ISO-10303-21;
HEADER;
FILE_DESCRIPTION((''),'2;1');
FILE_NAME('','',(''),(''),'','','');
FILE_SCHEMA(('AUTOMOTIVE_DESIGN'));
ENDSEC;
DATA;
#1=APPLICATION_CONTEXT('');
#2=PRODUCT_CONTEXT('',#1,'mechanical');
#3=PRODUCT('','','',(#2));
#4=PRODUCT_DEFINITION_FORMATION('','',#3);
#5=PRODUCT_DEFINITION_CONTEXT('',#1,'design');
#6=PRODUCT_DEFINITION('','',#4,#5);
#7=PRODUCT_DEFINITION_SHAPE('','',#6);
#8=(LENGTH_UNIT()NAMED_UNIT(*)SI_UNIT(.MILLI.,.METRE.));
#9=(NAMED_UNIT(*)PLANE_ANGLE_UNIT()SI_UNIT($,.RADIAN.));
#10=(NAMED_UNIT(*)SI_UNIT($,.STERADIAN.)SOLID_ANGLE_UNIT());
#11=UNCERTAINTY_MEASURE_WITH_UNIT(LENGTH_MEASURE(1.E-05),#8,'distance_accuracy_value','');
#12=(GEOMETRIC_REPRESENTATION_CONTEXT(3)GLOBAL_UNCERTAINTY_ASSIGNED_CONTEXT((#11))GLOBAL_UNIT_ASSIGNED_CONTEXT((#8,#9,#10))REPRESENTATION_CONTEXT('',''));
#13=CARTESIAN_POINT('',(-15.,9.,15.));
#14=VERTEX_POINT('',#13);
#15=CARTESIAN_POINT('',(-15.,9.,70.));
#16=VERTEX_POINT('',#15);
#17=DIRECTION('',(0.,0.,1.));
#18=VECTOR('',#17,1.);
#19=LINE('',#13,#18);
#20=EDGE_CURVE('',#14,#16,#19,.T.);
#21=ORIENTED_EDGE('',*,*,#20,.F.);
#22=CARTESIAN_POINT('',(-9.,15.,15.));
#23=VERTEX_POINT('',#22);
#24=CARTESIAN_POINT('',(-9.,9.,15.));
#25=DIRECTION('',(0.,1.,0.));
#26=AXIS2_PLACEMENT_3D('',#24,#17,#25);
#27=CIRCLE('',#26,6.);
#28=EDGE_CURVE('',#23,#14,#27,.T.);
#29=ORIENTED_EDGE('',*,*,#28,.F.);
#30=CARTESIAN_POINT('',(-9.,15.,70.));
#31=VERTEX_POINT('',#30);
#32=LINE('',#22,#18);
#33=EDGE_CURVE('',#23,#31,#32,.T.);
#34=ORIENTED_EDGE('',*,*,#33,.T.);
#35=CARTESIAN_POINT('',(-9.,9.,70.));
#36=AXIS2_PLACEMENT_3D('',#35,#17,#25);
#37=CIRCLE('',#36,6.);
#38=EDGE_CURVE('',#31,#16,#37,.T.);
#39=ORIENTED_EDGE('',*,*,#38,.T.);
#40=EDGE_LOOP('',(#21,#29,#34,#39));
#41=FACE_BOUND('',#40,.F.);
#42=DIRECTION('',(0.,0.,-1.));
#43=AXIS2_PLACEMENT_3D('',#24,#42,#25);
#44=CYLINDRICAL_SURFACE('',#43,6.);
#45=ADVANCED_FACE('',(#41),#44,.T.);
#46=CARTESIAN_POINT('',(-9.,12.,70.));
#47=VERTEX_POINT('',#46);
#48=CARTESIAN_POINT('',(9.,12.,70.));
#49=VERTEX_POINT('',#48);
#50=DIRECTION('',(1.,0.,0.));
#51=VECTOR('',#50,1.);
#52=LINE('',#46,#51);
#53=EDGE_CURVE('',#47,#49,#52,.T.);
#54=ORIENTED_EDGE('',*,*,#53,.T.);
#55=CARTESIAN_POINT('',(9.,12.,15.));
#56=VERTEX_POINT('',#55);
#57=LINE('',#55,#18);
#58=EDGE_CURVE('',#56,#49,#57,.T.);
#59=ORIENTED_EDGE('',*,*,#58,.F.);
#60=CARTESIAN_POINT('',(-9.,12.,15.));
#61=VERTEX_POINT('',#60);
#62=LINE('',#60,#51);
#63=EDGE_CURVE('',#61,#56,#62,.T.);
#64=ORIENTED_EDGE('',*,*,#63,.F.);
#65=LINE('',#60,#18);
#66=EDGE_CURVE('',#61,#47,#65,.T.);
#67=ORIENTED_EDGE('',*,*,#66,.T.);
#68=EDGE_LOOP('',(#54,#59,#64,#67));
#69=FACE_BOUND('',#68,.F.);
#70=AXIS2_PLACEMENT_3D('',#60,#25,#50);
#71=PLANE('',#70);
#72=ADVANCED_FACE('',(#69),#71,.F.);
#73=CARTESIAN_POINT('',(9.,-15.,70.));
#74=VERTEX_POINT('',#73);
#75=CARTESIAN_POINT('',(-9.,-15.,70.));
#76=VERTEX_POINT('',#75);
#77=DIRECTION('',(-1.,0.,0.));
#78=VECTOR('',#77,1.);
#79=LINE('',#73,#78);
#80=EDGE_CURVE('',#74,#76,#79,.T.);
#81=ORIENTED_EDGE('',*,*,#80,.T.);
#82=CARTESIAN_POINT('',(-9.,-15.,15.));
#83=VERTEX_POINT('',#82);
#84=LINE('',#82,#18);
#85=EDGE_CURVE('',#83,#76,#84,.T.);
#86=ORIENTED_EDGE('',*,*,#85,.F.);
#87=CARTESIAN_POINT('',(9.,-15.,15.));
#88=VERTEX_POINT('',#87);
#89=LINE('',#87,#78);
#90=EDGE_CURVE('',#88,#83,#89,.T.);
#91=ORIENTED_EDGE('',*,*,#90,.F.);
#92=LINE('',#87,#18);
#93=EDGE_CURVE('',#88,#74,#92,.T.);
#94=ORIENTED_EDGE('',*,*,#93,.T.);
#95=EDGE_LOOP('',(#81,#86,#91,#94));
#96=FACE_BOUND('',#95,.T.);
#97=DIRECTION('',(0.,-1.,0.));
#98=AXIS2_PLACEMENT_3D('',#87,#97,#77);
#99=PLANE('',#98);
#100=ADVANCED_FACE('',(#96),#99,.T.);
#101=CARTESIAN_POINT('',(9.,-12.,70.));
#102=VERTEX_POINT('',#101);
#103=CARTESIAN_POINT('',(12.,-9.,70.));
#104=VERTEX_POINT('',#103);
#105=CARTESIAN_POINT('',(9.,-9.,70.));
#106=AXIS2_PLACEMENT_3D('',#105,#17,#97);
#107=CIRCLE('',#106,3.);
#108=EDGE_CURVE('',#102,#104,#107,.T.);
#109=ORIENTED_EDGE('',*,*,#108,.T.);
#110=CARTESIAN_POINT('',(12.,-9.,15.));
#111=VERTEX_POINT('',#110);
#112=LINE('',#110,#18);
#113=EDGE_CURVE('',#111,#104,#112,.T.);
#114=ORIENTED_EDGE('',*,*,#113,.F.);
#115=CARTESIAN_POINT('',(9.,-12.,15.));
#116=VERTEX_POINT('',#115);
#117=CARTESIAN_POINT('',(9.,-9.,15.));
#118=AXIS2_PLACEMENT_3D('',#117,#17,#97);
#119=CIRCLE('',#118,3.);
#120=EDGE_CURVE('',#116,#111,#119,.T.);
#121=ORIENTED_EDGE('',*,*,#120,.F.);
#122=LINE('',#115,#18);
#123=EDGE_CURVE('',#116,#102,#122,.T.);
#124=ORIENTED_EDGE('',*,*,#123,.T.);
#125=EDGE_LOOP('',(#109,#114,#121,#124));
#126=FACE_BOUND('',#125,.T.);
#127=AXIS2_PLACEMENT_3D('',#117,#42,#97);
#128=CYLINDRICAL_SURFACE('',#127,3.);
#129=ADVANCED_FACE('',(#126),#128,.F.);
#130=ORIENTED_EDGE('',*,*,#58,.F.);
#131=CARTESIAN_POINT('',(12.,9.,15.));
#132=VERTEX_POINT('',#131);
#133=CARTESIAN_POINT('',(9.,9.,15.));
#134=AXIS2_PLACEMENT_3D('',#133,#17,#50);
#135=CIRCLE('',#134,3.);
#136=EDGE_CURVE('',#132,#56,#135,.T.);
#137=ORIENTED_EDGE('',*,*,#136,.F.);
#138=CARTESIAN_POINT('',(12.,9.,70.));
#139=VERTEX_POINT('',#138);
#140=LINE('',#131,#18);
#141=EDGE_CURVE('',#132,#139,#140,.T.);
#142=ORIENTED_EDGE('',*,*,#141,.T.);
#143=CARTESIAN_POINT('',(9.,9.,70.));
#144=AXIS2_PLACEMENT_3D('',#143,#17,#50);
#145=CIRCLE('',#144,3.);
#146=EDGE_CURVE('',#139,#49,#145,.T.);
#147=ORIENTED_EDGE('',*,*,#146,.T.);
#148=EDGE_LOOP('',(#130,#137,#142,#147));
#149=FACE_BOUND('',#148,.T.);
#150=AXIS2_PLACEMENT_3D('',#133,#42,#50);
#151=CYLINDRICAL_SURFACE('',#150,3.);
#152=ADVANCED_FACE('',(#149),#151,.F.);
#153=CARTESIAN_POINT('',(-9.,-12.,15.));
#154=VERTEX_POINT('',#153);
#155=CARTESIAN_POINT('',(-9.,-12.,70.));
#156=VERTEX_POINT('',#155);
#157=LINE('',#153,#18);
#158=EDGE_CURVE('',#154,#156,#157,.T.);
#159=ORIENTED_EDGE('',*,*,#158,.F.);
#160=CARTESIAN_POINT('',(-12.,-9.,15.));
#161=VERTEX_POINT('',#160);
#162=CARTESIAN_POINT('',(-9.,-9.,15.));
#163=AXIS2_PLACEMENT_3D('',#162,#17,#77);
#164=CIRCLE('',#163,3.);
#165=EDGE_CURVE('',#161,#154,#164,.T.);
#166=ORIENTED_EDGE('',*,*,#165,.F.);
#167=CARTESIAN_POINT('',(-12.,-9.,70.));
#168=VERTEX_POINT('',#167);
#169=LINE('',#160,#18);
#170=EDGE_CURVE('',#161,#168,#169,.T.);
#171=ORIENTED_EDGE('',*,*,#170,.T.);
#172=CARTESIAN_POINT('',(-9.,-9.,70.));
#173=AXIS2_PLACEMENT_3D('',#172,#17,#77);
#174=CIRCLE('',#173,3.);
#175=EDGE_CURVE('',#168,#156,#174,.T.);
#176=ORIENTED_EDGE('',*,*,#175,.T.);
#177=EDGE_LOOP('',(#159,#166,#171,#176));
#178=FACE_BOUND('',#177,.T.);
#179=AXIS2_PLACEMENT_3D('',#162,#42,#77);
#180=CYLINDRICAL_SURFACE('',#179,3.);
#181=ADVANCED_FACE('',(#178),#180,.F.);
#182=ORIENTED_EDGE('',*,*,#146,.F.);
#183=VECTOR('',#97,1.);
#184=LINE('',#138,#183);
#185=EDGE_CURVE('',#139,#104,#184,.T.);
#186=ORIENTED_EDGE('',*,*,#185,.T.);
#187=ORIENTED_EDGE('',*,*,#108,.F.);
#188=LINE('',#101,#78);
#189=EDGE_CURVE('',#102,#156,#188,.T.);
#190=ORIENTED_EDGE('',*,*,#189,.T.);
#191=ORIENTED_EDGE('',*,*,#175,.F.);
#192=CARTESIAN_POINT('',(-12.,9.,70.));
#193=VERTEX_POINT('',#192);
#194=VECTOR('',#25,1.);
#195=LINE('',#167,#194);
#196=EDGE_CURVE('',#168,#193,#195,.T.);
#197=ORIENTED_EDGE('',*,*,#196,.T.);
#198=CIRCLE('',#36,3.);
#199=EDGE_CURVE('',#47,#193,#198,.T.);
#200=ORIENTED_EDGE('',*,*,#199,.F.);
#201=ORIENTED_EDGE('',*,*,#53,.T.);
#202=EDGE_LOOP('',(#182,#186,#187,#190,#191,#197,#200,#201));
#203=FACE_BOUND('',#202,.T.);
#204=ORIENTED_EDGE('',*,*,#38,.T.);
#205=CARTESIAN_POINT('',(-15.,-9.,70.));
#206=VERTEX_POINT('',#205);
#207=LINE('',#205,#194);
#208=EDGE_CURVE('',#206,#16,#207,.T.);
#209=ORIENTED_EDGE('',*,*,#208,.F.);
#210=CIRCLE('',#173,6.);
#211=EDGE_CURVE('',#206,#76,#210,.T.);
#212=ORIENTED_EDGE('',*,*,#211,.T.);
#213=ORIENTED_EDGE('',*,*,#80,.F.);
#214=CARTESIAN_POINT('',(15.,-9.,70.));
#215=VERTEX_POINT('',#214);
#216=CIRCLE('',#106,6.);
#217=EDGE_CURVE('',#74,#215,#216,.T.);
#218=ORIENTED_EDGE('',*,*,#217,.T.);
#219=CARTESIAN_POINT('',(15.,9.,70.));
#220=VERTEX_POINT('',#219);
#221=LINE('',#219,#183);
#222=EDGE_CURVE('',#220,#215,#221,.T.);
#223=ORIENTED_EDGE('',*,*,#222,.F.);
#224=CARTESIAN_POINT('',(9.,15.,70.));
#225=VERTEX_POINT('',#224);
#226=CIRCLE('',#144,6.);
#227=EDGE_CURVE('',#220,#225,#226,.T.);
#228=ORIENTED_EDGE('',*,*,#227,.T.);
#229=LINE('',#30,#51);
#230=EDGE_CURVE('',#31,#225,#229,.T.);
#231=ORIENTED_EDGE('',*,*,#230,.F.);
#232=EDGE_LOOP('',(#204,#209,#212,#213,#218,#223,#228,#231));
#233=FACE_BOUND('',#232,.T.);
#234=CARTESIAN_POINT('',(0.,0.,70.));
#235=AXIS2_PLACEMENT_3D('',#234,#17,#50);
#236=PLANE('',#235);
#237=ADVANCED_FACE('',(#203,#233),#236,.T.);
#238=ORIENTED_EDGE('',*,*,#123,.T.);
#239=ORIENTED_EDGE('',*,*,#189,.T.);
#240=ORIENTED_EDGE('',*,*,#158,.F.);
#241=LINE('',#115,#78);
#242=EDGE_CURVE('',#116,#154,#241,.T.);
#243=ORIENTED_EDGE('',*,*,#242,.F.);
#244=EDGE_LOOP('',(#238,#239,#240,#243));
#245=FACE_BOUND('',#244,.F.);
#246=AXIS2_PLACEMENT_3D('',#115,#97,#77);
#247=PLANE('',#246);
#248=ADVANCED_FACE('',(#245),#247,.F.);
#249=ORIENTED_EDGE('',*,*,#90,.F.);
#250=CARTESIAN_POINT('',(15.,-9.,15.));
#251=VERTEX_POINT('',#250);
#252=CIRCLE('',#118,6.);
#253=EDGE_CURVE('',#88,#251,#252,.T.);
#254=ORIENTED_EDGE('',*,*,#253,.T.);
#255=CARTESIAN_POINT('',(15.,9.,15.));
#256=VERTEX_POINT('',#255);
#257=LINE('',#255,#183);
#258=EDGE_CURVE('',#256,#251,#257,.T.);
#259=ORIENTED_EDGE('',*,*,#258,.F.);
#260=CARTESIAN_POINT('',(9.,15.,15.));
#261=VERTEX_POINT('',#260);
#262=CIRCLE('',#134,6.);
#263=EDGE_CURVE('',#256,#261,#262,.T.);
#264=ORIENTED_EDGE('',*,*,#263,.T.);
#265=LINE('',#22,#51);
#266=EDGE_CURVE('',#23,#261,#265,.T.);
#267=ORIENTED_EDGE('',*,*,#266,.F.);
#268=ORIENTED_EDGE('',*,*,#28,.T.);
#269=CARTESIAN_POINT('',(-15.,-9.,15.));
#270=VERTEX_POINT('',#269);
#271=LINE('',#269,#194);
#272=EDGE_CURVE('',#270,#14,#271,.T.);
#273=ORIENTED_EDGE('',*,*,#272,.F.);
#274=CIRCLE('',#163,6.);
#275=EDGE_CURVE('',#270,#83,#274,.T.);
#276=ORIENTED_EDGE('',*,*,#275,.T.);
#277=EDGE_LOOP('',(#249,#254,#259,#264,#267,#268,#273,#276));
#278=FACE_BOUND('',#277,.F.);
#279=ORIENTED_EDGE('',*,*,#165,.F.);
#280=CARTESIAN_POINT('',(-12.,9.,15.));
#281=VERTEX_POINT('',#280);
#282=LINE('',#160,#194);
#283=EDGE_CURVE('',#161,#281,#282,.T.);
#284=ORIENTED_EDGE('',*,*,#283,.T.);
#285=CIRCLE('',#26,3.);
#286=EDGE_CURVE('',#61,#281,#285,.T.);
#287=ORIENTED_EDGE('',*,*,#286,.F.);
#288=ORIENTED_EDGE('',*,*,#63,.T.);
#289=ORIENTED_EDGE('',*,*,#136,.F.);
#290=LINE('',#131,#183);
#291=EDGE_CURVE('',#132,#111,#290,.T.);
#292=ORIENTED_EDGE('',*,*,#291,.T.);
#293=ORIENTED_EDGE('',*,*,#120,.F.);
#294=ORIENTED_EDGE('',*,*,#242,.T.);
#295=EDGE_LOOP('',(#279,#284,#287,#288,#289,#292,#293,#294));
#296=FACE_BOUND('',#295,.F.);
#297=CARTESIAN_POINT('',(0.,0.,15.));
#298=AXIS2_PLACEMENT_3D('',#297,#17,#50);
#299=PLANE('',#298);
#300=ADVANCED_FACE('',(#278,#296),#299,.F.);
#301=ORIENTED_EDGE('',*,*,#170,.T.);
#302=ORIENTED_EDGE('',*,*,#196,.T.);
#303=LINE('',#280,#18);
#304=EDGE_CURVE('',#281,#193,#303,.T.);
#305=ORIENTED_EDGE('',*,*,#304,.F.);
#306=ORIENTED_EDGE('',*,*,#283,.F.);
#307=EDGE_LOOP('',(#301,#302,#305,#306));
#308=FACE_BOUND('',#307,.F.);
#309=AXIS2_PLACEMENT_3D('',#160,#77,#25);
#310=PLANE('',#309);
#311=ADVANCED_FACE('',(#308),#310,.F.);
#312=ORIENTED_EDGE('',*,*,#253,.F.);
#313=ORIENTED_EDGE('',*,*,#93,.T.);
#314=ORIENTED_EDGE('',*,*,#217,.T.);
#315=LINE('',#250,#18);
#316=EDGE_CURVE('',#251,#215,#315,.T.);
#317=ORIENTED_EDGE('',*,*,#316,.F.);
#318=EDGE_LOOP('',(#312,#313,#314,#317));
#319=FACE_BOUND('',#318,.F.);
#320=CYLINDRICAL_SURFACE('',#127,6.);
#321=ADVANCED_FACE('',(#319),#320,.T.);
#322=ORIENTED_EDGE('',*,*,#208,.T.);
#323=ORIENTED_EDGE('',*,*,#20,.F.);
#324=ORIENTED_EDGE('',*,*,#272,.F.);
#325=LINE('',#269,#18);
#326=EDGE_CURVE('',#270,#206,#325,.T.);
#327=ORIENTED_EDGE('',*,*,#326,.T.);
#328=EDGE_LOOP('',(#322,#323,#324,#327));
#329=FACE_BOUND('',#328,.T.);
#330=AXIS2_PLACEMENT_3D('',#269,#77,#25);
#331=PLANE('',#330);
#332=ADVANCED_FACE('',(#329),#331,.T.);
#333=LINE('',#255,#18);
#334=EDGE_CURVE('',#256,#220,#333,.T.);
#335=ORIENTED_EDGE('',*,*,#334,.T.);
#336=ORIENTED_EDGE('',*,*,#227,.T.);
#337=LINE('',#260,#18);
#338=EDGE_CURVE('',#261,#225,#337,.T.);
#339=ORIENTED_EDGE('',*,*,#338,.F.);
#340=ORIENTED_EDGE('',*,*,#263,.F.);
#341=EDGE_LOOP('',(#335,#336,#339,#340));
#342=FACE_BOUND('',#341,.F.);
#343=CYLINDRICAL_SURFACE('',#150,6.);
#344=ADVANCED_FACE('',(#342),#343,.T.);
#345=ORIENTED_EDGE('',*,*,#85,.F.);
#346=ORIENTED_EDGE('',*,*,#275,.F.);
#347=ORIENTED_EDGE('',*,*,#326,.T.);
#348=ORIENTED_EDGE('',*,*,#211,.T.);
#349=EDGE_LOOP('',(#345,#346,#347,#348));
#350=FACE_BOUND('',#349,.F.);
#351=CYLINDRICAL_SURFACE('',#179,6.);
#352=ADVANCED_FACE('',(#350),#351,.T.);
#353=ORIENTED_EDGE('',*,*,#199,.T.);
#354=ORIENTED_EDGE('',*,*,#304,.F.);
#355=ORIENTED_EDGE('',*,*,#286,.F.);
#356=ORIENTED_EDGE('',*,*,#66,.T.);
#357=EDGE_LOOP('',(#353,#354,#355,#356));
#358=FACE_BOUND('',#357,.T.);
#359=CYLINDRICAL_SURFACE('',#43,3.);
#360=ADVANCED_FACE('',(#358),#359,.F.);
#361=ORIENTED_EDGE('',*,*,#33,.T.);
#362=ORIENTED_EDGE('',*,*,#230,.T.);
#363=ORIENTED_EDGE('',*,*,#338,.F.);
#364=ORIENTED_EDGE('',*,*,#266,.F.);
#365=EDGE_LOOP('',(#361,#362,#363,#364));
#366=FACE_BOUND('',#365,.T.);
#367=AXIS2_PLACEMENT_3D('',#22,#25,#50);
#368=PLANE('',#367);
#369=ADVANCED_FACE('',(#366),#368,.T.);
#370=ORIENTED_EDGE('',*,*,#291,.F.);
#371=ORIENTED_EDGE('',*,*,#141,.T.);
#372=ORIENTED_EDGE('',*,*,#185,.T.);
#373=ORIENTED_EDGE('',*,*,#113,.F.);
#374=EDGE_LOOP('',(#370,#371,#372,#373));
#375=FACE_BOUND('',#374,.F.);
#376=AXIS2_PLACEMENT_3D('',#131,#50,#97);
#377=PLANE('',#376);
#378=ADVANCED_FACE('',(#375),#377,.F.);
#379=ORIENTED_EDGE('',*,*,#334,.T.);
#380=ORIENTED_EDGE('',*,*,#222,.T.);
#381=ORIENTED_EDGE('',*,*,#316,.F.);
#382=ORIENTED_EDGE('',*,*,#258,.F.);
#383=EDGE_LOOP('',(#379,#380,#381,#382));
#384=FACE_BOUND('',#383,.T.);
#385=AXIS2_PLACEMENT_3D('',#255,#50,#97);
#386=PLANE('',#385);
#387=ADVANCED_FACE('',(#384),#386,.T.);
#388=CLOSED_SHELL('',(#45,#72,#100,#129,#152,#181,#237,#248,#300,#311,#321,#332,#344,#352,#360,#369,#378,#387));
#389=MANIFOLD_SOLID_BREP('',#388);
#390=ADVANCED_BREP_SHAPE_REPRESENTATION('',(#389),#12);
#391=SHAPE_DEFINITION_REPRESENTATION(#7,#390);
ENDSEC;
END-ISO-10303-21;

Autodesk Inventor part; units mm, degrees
ref_plane "Start Plane" through (0, 0, 15) normal (0, 0, 1) x (1, 0, 0)
ref_plane "End Plane" through (0, 0, 70) normal (0, 0, 1) x (1, 0, 0)
sketch "Sketch" plane through (0, 0, 0) normal (0, 0, 1) x (1, 0, 0)
  line L0 (-15, -9) -> (-15, 9)
  line L1 (-9, 15) -> (9, 15)
  line L2 (15, 9) -> (15, -9)
  line L3 (9, -15) -> (-9, -15)
  arc A0 (-15, -9) -> (-9, -15) centre (-9, -9) ccw
  arc A1 (-9, 15) -> (-15, 9) centre (-9, 9) ccw
  arc A2 (15, 9) -> (9, 15) centre (9, 9) ccw
  arc A3 (9, -15) -> (15, -9) centre (9, -9) ccw
  arc A4 (-9, 12) -> (-12, 9) centre (-9, 9) ccw
  line L4 (-9, 12) -> (9, 12)
  arc A5 (12, 9) -> (9, 12) centre (9, 9) ccw
  line L5 (12, 9) -> (12, -9)
  arc A6 (9, -12) -> (12, -9) centre (9, -9) ccw
  line L6 (9, -12) -> (-9, -12)
  arc A7 (-12, -9) -> (-9, -12) centre (-9, -9) ccw
  line L7 (-12, -9) -> (-12, 9)
  line L8 (0, 22.7397) -> (0, -22.7397) construction
  line L9 (-22.7397, 0) -> (22.7397, 0) construction
  dimension "d7" = 6
  dimension "d10" = 30
  dimension "d11" = 30
  dimension "d12" = 3
  dimension "d15" = 15
  dimension "d16" = 15
extrude "Body" add sketch "Sketch" along normal up to surface (55 mm away) from surface at 15
sketch "Sketch3" plane through (0, 0, 0) normal (0, 0, 1) x (1, 0, 0)
  line L0 (0, 0) -> (10, 0)
ref_plane "Work Plane3" through (0, 0, 0) normal (0, -1, 0) x (1, 0, 0)
ref_plane "Work Plane4" through (380, 9, 70) normal (0, 0, 1) x (1, 0, 0)
split "Split1" plane through (380, 9, 70) removes the side toward (0, 0, 1)
ref_plane "Work Plane5" through (250, 9, 15) normal (0, 0, -1) x (-1, 0, 0)
split "Split2" plane through (250, 9, 15) removes the side toward (0, 0, -1)
sketch "Sketch4" plane through (0, 0, 0) normal (0, -1, 0) x (1, 0, 0)
  line L0 (-2, 15) -> (12, 15) projected
  line L1 (-2, 70) -> (12, 70) projected
  dimension "d18" = 55
equation "\"d7\" = G_IR"
equation "\"d10\" = G_H"
equation "\"d11\" = G_W"
equation "\"d12\" = G_T"
equation "\"d15\" = 0.5 * d10"
equation "\"d16\" = 0.5 * d11"
equation "\"d3\" = G_L"
equation "\"G_W\" = 30"
equation "\"G_H\" = 30"
equation "\"G_T\" = 3"
equation "\"G_IR\" = 6"
equation "\"G_L\" = d18"
equation "\"G_OFFSET_START\" = -15"
equation "\"G_OFFSET_END\" = -15"
equation "\"d13\" = -G_OFFSET_START"
equation "\"B_L\" = 85"
properties part number "DIN EN 10219-2 - 30 x 30 x 3  - 55" material "Steel, Mild"
